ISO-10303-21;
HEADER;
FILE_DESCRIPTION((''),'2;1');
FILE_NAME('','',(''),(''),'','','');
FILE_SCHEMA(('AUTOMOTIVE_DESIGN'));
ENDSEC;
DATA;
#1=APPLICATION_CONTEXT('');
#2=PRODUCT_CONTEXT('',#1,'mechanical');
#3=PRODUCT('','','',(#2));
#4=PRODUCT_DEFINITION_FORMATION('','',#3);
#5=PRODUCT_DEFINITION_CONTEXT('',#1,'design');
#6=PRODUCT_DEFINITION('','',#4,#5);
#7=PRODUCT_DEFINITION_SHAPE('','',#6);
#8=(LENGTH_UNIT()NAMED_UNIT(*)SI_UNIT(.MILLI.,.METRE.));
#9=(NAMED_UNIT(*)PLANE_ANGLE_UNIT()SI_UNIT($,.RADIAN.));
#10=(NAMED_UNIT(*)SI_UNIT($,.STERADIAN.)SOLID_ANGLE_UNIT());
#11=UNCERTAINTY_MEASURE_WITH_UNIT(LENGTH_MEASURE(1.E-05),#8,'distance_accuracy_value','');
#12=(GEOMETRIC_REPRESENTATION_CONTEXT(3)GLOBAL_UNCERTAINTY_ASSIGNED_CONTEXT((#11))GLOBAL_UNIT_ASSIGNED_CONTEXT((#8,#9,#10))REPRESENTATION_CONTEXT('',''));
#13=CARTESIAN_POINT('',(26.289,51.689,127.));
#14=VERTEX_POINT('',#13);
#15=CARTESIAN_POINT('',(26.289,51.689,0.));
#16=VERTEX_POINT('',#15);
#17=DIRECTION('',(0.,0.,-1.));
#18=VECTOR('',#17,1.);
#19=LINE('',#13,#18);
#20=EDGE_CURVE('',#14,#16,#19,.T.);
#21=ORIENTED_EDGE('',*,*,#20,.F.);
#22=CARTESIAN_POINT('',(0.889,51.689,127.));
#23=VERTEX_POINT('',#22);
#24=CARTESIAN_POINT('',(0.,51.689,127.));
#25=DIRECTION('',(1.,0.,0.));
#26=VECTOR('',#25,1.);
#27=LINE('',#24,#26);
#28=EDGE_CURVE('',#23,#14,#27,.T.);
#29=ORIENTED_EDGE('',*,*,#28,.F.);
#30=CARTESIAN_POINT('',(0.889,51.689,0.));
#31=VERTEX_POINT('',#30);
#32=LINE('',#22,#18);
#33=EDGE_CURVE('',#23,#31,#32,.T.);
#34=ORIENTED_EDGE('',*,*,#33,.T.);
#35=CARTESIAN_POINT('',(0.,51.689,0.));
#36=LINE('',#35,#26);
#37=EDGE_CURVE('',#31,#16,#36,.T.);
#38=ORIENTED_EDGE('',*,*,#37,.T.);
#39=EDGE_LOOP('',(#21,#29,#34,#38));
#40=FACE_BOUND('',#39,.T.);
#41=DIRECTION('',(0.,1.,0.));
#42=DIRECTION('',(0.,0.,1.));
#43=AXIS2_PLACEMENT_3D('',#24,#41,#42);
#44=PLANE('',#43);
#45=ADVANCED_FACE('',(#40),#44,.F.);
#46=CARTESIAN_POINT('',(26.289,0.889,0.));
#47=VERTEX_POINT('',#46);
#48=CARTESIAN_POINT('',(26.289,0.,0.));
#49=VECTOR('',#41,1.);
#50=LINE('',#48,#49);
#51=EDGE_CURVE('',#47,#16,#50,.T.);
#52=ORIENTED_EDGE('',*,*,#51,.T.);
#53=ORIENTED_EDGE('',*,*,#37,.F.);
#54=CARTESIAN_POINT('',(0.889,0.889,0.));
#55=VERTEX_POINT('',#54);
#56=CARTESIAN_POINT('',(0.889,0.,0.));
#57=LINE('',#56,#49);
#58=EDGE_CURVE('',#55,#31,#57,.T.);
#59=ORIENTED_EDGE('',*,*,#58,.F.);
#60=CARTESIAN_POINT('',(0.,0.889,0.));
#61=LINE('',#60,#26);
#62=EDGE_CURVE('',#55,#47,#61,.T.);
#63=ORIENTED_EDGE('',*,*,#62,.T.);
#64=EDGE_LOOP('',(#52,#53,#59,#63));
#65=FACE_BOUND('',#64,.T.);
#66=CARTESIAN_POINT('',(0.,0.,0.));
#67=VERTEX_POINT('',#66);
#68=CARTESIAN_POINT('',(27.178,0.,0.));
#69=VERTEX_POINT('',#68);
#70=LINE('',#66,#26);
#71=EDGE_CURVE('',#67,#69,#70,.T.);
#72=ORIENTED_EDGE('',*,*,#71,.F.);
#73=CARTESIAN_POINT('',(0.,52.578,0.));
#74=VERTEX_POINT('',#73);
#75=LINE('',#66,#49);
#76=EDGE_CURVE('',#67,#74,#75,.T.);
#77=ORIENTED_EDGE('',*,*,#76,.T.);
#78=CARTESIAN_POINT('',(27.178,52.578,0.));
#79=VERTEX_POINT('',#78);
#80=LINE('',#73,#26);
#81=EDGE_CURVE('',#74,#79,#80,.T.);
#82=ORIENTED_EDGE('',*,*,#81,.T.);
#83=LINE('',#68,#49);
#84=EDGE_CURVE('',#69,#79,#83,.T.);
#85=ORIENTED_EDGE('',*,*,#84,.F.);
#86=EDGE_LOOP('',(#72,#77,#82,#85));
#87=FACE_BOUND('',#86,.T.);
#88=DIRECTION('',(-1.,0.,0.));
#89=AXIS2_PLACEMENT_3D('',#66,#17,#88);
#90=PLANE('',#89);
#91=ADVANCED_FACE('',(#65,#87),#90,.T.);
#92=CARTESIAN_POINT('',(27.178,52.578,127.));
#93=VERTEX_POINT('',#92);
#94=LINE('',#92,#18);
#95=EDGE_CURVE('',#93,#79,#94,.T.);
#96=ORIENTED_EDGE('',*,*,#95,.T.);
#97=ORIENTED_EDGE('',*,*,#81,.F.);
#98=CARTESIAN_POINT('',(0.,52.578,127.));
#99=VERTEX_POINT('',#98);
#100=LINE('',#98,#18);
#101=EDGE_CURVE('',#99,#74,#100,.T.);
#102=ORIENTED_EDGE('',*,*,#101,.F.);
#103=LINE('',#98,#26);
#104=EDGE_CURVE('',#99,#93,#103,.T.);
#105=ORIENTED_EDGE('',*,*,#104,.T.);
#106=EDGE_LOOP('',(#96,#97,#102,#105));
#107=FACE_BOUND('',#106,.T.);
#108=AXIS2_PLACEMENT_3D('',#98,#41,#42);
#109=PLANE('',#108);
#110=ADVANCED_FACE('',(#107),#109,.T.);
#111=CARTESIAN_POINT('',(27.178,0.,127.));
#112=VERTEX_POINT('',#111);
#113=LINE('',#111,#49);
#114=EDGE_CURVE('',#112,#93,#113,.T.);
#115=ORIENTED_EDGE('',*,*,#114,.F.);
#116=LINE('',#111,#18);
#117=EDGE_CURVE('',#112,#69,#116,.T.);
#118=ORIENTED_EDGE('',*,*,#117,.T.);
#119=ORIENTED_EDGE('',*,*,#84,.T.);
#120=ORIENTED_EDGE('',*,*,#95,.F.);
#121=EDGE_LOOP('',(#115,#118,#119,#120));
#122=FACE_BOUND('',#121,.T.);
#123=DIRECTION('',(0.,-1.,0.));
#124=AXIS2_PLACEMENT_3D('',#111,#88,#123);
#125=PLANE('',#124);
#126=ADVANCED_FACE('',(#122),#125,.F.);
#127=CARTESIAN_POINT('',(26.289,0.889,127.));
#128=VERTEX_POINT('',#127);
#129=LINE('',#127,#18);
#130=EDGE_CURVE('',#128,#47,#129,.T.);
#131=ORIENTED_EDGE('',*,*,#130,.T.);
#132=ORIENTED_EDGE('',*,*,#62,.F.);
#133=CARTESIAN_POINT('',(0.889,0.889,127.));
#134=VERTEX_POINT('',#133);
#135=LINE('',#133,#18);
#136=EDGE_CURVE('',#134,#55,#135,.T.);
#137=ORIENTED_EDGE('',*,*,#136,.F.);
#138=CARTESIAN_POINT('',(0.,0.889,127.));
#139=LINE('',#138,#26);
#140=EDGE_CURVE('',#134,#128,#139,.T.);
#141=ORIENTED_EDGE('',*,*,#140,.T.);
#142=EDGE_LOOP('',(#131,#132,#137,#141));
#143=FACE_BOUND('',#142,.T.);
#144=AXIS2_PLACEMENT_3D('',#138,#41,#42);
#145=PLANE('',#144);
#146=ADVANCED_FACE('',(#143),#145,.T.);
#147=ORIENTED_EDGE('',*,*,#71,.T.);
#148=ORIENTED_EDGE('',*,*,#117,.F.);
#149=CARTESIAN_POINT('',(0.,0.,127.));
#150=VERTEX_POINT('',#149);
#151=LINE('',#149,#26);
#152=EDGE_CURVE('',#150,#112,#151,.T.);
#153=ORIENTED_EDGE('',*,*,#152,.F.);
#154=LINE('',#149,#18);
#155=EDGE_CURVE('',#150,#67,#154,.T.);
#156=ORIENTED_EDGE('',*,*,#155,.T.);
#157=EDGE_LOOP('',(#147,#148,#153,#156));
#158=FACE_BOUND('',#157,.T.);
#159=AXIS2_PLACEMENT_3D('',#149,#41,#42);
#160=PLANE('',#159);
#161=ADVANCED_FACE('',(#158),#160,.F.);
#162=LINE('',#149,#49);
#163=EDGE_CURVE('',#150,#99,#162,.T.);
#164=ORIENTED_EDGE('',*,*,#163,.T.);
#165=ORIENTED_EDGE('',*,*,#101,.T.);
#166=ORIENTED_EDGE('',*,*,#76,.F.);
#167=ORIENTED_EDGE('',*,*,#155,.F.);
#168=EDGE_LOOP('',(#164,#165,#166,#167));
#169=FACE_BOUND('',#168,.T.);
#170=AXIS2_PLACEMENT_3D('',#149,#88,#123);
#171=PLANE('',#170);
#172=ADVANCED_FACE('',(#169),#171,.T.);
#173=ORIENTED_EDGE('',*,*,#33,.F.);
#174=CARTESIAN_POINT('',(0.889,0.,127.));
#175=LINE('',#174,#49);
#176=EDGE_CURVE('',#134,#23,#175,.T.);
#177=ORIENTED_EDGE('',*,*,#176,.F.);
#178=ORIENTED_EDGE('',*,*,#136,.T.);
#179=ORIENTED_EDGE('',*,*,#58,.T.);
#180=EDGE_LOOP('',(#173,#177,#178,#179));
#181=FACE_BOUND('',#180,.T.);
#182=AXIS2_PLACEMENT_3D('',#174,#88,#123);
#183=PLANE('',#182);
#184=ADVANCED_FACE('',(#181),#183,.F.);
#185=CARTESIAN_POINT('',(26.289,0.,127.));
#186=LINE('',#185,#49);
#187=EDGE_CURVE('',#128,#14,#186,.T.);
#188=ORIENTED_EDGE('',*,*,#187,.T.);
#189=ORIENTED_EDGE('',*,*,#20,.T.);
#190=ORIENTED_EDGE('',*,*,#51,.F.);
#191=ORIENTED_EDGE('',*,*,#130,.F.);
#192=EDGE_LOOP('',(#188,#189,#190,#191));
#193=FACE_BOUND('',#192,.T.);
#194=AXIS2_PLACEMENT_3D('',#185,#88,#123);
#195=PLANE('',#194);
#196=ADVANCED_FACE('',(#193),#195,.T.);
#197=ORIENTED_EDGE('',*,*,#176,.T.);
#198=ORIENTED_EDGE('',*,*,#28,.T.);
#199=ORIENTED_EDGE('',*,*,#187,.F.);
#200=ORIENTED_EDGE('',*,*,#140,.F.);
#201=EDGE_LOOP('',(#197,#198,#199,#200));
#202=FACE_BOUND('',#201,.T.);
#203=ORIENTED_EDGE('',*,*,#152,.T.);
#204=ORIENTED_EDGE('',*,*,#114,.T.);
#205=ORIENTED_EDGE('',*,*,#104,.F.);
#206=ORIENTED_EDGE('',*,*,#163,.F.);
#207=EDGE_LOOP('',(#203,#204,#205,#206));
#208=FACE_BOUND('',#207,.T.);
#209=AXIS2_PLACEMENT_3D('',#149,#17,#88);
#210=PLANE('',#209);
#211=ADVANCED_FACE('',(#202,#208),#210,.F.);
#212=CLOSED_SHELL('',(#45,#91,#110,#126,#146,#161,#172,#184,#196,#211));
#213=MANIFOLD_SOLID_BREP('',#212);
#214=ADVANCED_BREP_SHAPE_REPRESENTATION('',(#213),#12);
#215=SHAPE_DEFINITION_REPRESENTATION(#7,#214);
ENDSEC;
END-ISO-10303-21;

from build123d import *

# Parameters (mm, degrees)
SKETCH1_W           = 27.178
SKETCH1_H           = 52.578
BOSS_EXTRUDE1_DEPTH = 127
SHELL1_T            = -0.889


with BuildPart() as part:
    # Sketch1 → Boss-Extrude1 (new body)
    with BuildSketch(Plane.XY):
        with Locations((13.589, 26.289)):
            Rectangle(SKETCH1_W, SKETCH1_H)
    extrude(amount=BOSS_EXTRUDE1_DEPTH)

    # Shell1
    shell1_openings = [part.faces().sort_by_distance(p)[0] for p in [
        (13.589, 26.289, 127),
        (13.589, 26.289, 0),
    ]]
    offset(amount=SHELL1_T, openings=shell1_openings, kind=Kind.INTERSECTION)


solid = part.part
